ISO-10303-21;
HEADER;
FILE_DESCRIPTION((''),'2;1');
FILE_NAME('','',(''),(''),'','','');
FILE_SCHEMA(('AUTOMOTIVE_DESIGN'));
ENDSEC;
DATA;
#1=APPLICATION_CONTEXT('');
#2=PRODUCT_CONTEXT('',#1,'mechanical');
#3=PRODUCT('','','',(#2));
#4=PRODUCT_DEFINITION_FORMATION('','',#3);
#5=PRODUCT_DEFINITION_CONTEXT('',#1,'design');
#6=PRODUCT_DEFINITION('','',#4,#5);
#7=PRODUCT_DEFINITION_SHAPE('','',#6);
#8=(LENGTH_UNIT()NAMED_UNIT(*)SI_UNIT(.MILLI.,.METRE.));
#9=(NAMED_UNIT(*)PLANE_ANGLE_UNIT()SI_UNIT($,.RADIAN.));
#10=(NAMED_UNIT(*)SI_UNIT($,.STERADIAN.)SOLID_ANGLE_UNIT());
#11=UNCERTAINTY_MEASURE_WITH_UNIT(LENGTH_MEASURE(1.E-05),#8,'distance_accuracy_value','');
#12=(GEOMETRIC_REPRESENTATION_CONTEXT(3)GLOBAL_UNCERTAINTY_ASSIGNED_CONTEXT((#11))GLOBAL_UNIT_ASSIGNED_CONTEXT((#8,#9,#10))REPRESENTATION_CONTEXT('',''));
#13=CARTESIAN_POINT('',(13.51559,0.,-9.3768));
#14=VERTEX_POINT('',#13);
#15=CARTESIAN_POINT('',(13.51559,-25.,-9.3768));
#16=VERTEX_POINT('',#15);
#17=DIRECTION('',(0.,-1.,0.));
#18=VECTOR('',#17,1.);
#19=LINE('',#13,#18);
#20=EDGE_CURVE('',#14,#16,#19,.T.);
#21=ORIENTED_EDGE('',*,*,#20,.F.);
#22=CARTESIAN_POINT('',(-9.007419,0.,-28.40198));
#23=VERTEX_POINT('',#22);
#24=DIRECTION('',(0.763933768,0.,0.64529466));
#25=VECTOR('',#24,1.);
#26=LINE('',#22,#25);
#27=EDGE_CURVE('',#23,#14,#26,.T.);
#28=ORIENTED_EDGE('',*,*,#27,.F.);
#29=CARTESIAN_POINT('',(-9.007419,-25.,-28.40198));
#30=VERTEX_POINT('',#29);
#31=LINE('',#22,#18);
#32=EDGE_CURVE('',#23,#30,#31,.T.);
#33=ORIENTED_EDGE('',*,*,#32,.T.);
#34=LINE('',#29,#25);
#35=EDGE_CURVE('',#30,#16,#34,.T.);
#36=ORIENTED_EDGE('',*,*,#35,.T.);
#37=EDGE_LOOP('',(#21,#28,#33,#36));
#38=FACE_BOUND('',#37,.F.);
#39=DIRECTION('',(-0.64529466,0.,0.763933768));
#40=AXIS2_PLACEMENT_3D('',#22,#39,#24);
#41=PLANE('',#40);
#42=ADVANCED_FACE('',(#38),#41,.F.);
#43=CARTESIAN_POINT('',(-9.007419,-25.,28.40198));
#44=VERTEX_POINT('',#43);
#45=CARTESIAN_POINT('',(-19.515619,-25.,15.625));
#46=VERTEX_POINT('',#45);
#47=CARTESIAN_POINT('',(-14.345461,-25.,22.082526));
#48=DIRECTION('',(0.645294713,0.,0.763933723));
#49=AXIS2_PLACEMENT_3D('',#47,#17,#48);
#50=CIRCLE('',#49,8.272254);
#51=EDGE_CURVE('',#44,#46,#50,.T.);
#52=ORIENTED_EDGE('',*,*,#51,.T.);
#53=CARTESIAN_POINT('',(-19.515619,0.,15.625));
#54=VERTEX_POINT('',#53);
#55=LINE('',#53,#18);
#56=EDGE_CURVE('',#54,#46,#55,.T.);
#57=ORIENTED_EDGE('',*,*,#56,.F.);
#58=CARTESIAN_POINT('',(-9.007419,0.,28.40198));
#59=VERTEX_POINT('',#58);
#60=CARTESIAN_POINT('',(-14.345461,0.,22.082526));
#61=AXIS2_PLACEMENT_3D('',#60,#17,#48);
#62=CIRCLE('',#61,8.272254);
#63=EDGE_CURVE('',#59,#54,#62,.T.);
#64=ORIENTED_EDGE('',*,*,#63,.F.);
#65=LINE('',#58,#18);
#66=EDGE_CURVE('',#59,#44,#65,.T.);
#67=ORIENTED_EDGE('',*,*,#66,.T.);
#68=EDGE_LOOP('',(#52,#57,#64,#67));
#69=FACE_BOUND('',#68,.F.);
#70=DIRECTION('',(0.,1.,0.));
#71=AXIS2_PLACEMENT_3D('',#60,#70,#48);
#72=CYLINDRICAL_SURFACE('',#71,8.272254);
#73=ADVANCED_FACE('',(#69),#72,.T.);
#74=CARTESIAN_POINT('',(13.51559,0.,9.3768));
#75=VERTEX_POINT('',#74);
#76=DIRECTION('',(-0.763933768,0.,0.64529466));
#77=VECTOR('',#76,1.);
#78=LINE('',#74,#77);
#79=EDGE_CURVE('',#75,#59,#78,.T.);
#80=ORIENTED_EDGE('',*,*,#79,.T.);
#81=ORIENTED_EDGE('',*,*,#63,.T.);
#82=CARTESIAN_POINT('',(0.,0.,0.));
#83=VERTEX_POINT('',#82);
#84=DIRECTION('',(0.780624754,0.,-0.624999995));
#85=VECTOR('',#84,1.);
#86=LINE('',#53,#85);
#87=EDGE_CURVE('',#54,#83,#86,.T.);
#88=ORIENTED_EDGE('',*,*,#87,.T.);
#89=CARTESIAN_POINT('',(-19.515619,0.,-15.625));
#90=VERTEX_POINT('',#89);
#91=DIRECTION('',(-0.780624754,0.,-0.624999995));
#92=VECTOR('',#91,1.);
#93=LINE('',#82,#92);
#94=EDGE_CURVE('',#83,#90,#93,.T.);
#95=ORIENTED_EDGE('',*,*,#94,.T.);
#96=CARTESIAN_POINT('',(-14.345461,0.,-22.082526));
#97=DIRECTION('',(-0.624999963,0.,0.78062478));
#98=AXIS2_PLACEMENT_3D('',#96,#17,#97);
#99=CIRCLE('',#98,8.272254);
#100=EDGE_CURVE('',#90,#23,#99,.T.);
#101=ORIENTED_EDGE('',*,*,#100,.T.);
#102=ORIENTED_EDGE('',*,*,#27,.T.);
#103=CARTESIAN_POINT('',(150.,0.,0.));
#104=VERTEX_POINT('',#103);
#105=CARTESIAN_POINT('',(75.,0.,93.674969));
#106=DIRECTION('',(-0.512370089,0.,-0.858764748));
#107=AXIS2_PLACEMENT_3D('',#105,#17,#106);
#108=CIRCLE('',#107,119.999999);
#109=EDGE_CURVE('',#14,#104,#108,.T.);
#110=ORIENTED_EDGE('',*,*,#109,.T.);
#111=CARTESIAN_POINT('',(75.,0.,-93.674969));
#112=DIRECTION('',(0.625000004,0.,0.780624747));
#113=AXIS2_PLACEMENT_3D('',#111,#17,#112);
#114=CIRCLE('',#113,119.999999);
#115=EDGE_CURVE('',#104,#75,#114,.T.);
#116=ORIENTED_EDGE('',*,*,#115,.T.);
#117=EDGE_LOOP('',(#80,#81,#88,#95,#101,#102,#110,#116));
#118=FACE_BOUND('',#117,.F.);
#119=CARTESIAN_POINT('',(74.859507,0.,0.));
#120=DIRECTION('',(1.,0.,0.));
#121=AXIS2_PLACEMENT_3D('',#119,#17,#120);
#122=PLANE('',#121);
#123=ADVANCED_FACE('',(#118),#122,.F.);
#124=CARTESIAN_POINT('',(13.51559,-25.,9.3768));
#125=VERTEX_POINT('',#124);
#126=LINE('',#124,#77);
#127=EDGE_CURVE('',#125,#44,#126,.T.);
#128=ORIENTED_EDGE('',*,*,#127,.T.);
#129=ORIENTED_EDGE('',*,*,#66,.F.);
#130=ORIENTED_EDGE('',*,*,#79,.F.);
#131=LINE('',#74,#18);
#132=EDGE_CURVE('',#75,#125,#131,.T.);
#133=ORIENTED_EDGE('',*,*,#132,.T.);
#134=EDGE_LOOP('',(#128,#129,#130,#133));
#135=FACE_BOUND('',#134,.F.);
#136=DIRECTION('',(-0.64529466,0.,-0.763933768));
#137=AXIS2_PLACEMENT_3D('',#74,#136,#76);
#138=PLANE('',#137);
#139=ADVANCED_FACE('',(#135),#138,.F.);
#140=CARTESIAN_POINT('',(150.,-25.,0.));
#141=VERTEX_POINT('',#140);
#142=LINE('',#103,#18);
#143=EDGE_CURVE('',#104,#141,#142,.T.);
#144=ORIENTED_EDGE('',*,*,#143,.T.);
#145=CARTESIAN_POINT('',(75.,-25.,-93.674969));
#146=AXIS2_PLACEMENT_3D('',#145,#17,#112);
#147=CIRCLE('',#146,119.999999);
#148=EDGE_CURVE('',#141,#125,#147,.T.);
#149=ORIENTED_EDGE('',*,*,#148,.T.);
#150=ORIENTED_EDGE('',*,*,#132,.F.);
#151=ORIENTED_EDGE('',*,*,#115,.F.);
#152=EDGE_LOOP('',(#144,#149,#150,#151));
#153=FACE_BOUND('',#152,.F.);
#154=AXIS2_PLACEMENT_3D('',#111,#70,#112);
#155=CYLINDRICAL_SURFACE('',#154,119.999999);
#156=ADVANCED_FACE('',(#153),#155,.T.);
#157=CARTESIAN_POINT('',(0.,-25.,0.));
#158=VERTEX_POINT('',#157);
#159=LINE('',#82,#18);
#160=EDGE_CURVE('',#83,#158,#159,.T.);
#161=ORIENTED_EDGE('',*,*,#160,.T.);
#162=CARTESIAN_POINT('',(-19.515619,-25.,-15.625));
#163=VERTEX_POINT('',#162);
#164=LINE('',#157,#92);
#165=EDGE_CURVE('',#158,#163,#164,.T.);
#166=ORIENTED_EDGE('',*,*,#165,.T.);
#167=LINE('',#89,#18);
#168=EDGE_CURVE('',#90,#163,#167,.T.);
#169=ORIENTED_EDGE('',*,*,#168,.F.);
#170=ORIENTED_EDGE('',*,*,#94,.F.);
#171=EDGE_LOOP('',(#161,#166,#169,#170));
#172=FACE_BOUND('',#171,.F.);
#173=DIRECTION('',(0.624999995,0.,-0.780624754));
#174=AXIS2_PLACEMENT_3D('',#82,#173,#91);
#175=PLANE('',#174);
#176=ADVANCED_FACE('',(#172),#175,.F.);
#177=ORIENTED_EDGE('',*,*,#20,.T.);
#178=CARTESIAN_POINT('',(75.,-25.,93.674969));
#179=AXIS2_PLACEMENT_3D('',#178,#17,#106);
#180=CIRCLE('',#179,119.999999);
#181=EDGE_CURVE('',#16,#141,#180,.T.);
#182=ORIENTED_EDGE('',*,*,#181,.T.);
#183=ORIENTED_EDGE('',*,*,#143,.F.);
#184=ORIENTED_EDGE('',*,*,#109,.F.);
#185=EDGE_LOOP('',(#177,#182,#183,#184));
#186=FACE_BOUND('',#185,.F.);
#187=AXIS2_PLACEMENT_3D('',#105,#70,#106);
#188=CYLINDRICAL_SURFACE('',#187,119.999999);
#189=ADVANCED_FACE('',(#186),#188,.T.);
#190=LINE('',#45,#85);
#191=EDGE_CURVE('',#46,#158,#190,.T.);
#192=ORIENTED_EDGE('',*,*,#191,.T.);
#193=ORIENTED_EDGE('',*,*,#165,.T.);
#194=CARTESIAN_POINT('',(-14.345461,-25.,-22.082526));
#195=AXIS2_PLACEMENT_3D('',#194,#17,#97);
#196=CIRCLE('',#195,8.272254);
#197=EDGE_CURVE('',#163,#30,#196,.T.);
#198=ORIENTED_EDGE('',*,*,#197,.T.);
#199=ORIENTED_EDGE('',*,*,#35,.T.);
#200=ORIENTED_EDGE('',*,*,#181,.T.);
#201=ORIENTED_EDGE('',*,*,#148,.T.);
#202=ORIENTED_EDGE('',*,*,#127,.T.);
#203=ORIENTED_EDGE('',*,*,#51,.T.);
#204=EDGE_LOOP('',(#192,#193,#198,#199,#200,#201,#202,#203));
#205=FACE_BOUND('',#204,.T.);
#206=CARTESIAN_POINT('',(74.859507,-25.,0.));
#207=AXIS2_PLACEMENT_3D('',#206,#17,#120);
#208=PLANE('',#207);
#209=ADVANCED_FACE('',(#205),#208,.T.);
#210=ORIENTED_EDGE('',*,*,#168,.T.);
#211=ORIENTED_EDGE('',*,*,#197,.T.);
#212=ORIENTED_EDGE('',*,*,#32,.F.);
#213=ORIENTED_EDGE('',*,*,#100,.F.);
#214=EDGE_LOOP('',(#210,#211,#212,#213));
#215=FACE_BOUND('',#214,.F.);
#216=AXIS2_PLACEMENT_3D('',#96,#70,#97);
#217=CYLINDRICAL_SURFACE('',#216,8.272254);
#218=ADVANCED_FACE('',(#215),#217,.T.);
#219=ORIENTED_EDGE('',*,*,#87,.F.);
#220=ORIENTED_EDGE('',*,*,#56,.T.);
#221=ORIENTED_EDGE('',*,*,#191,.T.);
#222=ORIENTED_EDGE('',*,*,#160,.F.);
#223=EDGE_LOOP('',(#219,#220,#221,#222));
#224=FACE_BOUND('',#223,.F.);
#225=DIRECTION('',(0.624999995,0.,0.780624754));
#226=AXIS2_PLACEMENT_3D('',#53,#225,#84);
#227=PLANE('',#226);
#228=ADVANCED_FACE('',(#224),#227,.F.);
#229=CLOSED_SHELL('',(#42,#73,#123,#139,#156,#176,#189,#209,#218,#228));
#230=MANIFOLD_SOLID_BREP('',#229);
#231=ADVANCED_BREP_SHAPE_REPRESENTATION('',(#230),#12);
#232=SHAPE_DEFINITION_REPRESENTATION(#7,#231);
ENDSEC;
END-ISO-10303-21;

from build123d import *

# Parameters (mm, degrees)
F1_DEPTH = 25


with BuildPart() as f1:
    # F0 (on Front) → F1 (new body)
    with BuildSketch(Plane.XZ):
        with BuildLine():
            ThreePointArc((13.51559, -9.3768), (83.224894, -26.042828), (150, 0))
            ThreePointArc((150, 0), (83.224894, 26.042828), (13.51559, 9.3768))
            ThreePointArc((13.51559, 9.3768), (6.596932, 4.920265), (0, 0))
            ThreePointArc((0, 0), (6.596932, -4.920265), (13.51559, -9.3768))
        make_face()
        with BuildLine():
            ThreePointArc((0, 0), (6.596932, 4.920265), (13.51559, 9.3768))
            Line((13.51559, 9.3768), (-9.007419, 28.40198))
            ThreePointArc((-9.007419, 28.40198), (-20.734502, 27.33708), (-19.515619, 15.625))
            Line((-19.515619, 15.625), (0, 0))
        make_face()
        with BuildLine():
            Line((-9.007419, -28.40198), (13.51559, -9.3768))
            ThreePointArc((13.51559, -9.3768), (6.596932, -4.920265), (0, 0))
            Line((0, 0), (-19.515619, -15.625))
            ThreePointArc((-19.515619, -15.625), (-20.734502, -27.33708), (-9.007419, -28.40198))
        make_face()
    extrude(amount=F1_DEPTH)


solid = f1.part
